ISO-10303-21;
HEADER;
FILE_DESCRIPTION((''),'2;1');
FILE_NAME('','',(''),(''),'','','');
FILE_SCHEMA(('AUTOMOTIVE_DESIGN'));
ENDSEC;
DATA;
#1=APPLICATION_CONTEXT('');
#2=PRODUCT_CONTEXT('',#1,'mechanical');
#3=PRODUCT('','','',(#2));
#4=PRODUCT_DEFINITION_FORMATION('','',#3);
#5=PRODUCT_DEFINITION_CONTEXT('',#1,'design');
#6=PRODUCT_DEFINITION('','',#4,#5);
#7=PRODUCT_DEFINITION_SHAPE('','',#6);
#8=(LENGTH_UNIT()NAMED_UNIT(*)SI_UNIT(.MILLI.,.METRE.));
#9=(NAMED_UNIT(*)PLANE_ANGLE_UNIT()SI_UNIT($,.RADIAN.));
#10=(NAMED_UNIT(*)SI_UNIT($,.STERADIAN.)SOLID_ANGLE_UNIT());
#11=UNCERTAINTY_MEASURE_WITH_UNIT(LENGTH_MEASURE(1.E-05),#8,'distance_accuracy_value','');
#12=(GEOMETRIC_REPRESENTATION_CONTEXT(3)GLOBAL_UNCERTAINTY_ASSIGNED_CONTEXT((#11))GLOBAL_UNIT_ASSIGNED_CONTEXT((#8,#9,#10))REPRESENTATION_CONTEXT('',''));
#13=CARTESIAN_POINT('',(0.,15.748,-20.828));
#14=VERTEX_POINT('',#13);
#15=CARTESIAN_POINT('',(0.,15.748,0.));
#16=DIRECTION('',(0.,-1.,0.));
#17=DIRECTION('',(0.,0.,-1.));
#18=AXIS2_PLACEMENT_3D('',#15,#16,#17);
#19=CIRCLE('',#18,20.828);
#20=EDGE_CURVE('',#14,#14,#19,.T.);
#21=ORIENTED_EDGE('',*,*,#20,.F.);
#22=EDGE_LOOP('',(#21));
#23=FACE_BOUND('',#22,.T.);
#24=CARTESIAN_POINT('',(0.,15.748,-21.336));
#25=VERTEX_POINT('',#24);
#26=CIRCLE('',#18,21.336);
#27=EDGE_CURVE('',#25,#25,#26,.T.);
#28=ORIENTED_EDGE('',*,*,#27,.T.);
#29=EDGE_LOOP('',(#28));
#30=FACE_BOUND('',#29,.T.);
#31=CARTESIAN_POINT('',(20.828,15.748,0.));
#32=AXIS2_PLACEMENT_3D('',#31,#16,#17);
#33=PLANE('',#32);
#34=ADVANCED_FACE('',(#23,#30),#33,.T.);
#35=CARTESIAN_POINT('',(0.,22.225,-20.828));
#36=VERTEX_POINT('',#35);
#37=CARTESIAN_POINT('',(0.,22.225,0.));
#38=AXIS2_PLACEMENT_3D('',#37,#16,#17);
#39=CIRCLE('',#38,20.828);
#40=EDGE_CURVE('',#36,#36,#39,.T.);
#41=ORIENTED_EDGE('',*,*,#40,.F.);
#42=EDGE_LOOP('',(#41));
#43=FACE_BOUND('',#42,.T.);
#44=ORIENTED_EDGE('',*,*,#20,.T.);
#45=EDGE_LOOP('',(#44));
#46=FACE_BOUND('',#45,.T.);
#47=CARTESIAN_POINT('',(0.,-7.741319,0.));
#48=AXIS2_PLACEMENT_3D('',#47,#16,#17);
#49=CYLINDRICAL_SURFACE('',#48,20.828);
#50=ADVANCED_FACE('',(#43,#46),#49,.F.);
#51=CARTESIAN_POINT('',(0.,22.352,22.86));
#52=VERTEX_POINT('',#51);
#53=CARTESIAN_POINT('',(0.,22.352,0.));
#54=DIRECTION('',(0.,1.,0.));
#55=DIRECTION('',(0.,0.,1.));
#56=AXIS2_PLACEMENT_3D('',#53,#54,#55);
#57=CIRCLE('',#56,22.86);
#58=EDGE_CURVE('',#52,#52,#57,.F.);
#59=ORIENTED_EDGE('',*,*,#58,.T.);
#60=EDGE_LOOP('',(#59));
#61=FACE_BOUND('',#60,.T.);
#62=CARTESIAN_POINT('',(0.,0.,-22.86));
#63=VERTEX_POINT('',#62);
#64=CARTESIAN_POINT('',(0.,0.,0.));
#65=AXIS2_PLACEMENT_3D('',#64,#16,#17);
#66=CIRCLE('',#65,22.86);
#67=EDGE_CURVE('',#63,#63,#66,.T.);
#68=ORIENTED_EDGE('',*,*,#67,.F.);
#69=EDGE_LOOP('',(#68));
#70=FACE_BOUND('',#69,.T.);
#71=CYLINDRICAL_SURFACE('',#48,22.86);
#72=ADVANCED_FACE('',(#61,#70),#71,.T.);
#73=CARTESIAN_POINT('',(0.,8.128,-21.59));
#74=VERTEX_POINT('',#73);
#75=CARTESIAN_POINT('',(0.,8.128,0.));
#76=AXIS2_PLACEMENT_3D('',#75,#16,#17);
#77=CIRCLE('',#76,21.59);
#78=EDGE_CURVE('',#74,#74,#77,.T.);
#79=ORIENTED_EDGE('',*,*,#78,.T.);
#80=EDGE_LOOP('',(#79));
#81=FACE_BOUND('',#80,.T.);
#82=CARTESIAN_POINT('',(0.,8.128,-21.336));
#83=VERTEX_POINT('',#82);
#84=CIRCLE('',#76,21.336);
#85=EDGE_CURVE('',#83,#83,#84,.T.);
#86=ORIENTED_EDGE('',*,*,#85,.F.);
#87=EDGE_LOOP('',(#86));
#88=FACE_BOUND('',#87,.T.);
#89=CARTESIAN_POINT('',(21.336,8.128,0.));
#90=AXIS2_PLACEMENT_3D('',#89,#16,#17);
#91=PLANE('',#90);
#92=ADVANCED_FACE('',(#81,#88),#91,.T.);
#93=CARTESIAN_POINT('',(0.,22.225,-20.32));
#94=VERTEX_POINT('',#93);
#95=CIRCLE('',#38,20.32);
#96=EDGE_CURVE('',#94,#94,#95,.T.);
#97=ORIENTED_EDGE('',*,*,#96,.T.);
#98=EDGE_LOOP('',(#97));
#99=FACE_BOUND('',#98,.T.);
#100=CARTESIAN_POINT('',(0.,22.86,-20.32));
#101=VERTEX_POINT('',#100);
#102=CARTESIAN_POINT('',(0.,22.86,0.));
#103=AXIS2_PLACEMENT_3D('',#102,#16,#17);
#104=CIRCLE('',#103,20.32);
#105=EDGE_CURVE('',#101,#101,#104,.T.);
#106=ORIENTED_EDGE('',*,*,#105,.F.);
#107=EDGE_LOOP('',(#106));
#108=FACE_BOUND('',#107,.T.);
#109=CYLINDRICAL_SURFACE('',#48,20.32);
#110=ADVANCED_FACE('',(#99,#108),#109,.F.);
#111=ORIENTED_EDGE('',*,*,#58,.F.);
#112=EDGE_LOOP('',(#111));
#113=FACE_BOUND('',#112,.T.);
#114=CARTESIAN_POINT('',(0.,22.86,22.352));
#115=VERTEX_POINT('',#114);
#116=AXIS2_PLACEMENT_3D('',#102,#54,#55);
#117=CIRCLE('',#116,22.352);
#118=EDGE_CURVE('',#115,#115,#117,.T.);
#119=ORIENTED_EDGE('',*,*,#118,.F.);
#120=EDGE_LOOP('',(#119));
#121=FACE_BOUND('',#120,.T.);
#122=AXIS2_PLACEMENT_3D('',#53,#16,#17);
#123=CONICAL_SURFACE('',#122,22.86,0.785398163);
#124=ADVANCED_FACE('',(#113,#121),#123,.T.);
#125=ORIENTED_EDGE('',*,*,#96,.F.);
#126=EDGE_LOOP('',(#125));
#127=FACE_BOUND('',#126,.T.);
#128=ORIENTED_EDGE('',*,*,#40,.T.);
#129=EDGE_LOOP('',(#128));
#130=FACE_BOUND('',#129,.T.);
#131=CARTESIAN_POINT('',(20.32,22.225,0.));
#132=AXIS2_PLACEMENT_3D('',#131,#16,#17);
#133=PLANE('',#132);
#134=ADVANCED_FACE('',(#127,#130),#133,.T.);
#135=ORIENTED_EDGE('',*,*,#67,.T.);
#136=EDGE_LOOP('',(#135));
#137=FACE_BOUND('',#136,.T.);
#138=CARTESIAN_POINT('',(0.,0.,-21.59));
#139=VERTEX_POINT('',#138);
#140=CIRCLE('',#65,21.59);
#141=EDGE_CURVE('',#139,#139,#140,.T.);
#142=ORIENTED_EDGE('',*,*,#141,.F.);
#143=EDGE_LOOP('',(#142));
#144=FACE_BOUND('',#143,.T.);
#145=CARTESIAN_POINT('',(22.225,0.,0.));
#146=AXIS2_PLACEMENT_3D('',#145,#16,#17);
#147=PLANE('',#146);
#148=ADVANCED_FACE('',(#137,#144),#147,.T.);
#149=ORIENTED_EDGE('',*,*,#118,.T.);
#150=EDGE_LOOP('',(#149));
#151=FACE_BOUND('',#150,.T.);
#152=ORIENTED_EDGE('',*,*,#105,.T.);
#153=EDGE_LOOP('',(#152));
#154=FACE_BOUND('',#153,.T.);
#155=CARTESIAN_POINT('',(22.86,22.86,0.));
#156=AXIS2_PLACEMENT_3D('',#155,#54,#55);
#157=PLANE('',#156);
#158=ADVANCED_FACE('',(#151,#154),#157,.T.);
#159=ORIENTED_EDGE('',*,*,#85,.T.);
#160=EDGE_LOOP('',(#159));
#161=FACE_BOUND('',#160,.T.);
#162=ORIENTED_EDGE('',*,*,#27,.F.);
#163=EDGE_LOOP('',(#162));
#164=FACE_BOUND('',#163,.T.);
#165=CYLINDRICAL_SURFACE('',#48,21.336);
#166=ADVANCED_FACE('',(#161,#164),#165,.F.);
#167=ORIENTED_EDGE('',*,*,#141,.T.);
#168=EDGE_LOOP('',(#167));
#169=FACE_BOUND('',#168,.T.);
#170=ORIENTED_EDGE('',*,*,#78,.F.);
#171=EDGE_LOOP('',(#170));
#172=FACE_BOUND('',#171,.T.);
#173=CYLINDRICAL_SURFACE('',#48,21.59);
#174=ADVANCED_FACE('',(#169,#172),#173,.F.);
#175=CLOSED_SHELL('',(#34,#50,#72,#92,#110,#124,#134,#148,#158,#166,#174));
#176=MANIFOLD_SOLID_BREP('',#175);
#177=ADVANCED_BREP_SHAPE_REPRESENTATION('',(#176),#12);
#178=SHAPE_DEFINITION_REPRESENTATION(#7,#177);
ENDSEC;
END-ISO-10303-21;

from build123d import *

# Parameters (mm, degrees)
CHAMFER1_SIZE       = 0.508
CHAMFER2_SIZE       = 0.254
BOSS_EXTRUDE1_REACH = 41.595
SKETCH2_R           = 22.86
SKETCH2_R_2         = 21.59


with BuildPart() as part:
    # Sketch1 → Revolve1 (revolve)
    with BuildSketch(Plane.XY, mode=Mode.PRIVATE) as revolve1_sk:
        Polygon((20.32, 22.225), (20.32, 22.86), (22.86, 22.86), (22.86, 0), (22.225, 0), (22.225, 2.413), (21.59, 2.413), (21.59, 5.588), (21.59, 8.128), (21.336, 8.128), (21.336, 15.748), (20.828, 15.748), (20.828, 21.59), (20.828, 22.225), align=None)
    revolve(revolve1_sk.sketch.rotate(Axis((0, -7.741318897, 0), (0, 1, 0)), 90), axis=Axis((0, -7.741318897, 0), (0, 1, 0)))

    # Chamfer1
    chamfer1_edges = [part.edges().sort_by_distance(p)[0] for p in [
        (0, 22.86, 22.86),
    ]]
    chamfer(chamfer1_edges, length=CHAMFER1_SIZE)

    # Chamfer2
    chamfer2_edges = [part.edges().sort_by_distance(p)[0] for p in [
        (0, 0, 22.225),
    ]]
    chamfer(chamfer2_edges, length=CHAMFER2_SIZE)

    # Sketch2 → Boss-Extrude1 (add, up to next)
    with BuildSketch(Plane.XZ, mode=Mode.PRIVATE) as boss_extrude1_sk1:
        with Locations(Location((0, 0, 0), (0, 0, 270))):
            Circle(SKETCH2_R)
        with Locations(Location((0, 0, 0), (0, 0, 270))):
            Circle(SKETCH2_R_2, mode=Mode.SUBTRACT)
    boss_extrude1_tool1 = extrude(boss_extrude1_sk1.sketch, amount=-BOSS_EXTRUDE1_REACH, mode=Mode.PRIVATE) - part.part
    add(boss_extrude1_tool1.solids().sort_by_distance((0, 0, 22.213422))[0])


solid = part.part
